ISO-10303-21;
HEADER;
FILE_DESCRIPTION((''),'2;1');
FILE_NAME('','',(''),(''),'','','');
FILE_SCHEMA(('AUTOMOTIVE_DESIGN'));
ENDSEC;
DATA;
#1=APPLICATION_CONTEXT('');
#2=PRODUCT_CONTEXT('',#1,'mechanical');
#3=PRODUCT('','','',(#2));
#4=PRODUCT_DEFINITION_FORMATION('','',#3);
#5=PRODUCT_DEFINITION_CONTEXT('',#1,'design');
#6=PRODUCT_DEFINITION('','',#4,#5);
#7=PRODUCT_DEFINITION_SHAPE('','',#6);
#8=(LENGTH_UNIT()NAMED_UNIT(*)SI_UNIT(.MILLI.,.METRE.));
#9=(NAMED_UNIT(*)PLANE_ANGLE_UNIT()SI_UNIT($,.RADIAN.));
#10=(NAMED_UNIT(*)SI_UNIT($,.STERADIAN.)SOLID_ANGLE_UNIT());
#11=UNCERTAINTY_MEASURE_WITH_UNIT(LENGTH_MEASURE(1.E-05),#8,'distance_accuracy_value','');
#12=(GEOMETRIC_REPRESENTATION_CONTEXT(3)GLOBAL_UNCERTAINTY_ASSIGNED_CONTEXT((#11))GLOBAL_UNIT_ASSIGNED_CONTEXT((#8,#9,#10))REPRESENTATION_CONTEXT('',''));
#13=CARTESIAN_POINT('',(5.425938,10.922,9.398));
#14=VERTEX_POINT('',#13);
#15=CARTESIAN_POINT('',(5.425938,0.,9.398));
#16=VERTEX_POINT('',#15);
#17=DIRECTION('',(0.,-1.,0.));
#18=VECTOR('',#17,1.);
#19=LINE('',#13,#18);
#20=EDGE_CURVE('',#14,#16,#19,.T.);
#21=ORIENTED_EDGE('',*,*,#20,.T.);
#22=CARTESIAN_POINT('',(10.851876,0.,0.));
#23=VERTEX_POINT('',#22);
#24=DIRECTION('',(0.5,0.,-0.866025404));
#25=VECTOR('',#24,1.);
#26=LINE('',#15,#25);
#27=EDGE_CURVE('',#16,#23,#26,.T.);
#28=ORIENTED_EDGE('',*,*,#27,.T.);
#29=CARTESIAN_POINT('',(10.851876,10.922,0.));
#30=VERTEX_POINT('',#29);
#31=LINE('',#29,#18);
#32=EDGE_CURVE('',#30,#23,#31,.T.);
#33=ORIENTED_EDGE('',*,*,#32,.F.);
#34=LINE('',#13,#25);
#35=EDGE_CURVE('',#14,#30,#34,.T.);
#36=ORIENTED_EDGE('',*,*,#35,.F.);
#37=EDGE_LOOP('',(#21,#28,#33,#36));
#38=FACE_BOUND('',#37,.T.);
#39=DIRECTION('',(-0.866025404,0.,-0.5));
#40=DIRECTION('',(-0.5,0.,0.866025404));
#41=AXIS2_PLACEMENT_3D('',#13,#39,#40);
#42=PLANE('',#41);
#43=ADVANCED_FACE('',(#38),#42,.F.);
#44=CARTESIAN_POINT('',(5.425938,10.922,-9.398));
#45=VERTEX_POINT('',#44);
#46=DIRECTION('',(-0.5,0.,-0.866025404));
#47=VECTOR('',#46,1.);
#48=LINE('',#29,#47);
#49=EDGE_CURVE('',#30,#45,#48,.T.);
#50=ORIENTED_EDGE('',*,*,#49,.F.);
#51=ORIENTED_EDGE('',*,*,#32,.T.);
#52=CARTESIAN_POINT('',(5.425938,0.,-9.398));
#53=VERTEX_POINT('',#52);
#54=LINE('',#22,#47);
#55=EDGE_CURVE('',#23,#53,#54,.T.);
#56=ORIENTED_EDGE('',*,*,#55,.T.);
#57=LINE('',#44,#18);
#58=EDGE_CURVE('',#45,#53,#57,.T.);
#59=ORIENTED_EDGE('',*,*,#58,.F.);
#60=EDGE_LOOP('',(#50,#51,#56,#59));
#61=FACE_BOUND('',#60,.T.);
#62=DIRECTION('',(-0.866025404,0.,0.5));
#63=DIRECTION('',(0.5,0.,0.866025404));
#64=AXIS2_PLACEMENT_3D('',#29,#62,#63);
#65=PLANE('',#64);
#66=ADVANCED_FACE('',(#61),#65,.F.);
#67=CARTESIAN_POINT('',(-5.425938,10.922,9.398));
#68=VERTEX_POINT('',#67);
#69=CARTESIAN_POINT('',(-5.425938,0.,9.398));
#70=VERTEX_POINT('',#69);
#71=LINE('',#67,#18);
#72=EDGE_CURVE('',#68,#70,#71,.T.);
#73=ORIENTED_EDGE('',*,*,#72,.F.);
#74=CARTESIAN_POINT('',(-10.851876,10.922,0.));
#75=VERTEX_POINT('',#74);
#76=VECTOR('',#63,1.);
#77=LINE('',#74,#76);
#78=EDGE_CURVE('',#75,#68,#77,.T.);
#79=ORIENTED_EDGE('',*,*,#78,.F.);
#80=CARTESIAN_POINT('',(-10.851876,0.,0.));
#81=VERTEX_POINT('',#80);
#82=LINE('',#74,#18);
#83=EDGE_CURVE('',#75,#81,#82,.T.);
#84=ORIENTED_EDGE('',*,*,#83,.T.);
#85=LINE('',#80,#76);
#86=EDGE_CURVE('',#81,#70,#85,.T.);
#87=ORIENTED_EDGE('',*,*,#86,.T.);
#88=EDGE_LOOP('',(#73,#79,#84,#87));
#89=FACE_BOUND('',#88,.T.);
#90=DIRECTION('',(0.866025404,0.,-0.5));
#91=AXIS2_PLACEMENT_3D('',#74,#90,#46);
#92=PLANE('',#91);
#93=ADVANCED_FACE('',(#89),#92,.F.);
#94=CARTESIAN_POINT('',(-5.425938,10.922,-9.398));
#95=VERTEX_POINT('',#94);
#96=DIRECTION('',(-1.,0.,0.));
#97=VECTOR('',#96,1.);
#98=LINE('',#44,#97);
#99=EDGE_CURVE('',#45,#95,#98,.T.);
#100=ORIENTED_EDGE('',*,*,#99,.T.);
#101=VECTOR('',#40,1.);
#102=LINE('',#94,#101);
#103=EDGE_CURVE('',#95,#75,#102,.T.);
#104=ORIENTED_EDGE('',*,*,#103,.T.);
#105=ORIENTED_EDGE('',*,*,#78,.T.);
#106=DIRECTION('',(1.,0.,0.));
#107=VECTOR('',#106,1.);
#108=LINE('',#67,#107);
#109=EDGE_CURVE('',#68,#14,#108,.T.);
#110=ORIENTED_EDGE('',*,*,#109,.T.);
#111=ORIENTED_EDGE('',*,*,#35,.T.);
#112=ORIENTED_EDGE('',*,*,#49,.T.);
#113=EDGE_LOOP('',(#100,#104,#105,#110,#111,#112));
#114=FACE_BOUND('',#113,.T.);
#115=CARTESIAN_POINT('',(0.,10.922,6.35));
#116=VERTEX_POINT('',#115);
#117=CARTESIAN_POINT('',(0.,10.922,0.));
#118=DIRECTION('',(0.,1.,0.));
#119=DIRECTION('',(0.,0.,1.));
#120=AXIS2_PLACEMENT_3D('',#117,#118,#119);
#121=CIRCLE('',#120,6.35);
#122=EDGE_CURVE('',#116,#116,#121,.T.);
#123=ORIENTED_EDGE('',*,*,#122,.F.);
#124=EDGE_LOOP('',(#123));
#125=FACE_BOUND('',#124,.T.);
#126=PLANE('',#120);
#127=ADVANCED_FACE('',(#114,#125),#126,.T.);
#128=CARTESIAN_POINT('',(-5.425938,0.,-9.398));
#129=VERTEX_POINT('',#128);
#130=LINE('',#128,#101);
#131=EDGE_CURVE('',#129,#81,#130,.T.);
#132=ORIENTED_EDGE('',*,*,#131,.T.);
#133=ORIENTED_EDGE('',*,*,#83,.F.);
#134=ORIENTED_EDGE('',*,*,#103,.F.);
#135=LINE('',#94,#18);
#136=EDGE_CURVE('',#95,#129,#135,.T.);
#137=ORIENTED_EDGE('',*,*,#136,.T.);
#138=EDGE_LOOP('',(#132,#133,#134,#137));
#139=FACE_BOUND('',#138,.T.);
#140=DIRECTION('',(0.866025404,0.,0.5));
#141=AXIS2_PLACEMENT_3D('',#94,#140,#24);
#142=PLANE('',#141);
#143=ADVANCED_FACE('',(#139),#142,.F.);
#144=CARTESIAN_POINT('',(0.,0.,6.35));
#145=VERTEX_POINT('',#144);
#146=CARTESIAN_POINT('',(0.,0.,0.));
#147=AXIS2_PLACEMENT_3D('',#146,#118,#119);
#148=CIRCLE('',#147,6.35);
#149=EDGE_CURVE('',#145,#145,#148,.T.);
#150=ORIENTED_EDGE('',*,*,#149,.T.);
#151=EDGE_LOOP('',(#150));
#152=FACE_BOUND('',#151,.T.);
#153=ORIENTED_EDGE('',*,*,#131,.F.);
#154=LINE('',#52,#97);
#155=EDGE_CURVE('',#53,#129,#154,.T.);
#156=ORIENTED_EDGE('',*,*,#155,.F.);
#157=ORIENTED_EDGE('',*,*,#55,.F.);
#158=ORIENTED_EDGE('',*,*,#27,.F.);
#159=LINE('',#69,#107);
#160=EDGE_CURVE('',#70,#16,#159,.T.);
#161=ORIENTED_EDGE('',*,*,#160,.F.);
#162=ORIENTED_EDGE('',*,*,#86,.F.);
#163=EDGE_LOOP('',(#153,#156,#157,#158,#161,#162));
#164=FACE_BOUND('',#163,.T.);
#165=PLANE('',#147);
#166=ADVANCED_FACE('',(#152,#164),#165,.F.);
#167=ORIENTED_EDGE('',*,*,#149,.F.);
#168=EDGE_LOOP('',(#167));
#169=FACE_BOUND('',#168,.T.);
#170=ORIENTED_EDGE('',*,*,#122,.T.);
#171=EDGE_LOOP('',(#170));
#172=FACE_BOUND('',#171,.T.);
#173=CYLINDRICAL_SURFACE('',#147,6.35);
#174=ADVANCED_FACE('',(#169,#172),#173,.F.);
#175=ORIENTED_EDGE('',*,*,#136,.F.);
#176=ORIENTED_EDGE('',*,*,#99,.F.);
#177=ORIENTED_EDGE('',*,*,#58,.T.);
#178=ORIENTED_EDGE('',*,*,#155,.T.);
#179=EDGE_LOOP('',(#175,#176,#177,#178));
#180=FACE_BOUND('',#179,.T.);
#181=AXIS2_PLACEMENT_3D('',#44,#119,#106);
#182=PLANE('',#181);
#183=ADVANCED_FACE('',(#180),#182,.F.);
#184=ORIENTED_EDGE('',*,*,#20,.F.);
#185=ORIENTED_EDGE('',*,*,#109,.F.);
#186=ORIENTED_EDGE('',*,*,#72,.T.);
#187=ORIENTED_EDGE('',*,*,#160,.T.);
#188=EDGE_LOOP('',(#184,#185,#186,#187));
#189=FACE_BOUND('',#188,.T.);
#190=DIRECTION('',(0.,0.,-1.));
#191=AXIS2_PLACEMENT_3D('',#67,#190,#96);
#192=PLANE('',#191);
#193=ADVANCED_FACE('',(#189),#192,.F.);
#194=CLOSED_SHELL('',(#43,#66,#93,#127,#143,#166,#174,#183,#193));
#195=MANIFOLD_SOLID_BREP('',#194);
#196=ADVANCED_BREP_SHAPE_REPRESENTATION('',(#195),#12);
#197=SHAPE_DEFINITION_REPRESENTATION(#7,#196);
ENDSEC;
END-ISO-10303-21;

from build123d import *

# Parameters (mm, degrees)
BOSS_EXTRUDE1_DEPTH = 10.922
SKETCH2_R           = 6.35
CUT_EXTRUDE1_DEPTH  = 19.038173226


with BuildPart() as part:
    # Sketch1 → Boss-Extrude1 (new body)
    with BuildSketch(Plane(origin=(0, 0, 0), x_dir=(1, 0, 0), z_dir=(0, 1, 0))):
        Polygon((5.42593783, -9.398), (10.85187566, 0), (5.42593783, 9.398), (-5.42593783, 9.398), (-10.85187566, 0), (-5.42593783, -9.398), align=None)
    extrude(amount=BOSS_EXTRUDE1_DEPTH)

    # Sketch2 → Cut-Extrude1 (cut, through all)
    with BuildSketch(Plane(origin=(0, 10.922, 0), x_dir=(1, 0, 0), z_dir=(0, 1, 0))):
        with Locations(Location((0, 0, 0), (0, 0, 270))):
            Circle(SKETCH2_R)
    extrude(amount=-CUT_EXTRUDE1_DEPTH, mode=Mode.SUBTRACT)


solid = part.part
